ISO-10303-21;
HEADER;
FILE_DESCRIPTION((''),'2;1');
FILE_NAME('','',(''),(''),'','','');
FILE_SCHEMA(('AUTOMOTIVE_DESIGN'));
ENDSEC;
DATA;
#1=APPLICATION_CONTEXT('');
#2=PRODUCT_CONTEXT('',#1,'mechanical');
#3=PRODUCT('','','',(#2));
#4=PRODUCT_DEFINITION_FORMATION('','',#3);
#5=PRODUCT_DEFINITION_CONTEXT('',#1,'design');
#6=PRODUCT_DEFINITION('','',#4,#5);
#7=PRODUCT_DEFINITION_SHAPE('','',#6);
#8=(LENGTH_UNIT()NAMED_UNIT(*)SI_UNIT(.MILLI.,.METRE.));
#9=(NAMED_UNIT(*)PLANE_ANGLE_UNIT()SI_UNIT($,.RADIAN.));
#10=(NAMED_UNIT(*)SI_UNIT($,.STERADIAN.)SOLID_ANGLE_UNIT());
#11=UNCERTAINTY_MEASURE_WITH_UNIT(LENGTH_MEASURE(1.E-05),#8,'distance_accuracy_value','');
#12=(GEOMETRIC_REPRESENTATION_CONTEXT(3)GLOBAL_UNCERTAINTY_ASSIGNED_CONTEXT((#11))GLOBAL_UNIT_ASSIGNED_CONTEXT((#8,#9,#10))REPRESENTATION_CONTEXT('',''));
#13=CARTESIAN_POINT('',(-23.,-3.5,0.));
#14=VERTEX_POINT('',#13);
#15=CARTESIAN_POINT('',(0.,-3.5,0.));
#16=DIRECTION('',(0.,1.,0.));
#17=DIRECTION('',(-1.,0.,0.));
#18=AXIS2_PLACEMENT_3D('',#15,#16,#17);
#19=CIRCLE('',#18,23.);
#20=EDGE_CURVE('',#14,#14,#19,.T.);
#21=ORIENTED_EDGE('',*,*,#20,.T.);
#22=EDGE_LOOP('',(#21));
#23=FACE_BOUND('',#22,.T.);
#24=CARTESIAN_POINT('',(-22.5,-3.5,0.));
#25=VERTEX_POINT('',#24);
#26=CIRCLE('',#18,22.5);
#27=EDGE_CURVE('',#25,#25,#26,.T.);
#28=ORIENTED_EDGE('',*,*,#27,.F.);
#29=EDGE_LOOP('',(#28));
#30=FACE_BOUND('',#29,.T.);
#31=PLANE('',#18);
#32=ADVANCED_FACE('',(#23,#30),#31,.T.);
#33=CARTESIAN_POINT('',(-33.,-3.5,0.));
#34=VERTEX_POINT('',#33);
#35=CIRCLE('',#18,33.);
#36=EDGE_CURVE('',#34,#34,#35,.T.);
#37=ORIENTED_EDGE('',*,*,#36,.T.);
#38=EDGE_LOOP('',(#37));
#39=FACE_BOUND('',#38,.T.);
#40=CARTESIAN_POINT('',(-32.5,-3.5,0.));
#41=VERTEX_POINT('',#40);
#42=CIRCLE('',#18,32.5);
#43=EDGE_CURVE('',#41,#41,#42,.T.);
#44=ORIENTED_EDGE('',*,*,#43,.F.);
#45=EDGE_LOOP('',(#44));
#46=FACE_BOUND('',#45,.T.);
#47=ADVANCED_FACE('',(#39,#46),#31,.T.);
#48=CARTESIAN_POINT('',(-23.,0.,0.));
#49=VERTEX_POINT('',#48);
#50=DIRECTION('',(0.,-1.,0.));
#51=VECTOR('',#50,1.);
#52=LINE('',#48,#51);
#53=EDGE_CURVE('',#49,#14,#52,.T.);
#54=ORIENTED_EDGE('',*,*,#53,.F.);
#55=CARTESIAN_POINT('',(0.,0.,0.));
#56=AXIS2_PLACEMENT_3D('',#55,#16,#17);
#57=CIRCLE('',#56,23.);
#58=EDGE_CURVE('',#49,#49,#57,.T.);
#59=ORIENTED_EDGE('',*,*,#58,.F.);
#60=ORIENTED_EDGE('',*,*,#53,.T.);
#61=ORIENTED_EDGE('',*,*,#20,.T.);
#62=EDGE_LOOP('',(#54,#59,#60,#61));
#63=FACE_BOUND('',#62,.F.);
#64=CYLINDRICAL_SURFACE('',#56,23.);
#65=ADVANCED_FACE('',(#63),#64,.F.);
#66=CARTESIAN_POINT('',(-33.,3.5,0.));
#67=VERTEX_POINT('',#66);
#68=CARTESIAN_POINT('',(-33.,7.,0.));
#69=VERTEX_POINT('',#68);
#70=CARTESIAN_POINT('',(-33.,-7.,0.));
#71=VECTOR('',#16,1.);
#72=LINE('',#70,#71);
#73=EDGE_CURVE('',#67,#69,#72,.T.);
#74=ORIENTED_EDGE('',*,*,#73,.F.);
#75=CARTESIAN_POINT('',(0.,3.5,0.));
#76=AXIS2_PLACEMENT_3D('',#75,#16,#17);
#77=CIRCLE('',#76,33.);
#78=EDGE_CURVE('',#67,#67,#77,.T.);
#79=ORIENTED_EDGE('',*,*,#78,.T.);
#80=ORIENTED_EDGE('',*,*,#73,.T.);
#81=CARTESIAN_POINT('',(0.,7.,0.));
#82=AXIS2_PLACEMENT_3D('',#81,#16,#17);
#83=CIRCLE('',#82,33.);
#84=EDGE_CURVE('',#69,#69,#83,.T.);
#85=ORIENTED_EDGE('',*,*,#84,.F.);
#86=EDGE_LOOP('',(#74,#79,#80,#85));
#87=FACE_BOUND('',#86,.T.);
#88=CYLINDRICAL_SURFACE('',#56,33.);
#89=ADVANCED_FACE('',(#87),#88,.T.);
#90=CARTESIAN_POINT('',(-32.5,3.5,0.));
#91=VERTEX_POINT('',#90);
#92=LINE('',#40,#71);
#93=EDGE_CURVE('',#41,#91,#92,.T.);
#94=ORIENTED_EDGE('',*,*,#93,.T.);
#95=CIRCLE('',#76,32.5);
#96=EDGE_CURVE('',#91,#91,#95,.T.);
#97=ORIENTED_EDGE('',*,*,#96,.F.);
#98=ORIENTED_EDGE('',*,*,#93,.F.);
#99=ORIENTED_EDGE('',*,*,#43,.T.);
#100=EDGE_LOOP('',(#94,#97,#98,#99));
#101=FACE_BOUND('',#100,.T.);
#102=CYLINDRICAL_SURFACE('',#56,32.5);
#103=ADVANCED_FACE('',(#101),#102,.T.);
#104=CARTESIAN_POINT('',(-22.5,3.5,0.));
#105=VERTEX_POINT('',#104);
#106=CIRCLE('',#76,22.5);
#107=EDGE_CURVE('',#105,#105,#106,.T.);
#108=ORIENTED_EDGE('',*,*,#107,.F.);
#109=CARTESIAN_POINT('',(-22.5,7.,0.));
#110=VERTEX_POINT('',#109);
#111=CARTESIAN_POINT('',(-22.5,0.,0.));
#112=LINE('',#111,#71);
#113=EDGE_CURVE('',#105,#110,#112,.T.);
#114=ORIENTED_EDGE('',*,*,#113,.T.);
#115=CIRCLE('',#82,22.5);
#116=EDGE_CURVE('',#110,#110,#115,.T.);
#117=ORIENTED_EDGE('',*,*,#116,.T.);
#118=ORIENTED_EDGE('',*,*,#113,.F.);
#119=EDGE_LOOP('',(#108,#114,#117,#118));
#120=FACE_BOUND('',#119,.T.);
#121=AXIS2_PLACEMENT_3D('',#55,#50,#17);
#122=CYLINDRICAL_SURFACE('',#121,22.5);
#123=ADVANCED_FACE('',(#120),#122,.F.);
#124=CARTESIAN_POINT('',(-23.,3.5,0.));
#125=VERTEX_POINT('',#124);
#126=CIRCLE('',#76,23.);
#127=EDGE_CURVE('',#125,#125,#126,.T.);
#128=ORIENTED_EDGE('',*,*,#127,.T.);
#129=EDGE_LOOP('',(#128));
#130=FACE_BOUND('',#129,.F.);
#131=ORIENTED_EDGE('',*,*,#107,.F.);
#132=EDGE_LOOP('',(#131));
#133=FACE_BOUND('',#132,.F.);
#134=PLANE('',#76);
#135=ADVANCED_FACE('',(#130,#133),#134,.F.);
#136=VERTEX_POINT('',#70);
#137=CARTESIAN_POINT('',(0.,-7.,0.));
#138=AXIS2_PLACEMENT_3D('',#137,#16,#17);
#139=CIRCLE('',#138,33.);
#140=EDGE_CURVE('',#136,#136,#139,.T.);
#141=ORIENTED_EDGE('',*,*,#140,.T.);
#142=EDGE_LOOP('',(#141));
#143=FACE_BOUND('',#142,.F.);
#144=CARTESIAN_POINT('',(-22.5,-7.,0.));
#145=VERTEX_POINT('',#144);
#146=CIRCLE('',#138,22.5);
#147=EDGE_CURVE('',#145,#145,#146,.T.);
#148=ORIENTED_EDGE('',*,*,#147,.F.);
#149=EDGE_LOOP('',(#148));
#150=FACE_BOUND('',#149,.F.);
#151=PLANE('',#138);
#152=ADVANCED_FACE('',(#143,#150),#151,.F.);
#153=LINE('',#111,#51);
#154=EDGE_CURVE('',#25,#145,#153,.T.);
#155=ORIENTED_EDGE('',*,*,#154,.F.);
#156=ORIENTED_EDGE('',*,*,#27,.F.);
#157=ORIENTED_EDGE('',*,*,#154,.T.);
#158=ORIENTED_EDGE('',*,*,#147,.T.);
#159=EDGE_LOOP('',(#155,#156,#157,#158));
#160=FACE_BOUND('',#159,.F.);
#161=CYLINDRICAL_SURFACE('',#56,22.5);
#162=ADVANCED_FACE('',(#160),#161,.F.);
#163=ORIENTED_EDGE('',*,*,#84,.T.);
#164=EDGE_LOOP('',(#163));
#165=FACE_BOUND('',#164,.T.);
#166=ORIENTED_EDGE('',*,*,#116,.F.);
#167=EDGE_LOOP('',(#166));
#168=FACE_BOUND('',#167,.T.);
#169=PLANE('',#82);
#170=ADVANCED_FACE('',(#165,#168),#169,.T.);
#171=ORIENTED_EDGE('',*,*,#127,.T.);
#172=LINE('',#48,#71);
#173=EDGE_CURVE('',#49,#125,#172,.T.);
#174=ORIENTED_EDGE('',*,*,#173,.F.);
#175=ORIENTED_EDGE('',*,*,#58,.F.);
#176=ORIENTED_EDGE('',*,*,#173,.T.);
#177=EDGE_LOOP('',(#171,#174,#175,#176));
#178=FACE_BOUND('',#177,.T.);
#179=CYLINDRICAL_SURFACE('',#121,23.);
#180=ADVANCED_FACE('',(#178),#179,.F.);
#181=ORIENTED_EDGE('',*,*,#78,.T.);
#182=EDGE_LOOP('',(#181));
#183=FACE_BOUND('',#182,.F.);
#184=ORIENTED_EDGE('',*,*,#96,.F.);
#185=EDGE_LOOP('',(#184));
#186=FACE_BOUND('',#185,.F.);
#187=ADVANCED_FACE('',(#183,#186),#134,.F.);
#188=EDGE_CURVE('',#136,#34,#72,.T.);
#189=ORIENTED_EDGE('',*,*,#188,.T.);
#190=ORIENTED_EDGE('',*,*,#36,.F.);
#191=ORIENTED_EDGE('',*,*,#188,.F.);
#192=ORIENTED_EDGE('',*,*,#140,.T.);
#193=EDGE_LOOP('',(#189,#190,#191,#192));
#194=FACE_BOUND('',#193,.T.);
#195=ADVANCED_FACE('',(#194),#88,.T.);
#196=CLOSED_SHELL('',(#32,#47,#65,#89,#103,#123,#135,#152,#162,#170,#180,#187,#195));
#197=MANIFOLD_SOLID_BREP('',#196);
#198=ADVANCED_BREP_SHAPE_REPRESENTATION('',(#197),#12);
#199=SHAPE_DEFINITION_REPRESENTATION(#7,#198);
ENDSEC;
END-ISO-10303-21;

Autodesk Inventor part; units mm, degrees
ref_plane "YZ Plane" through (0, 0, 0) normal (1, 0, 0) x (0, 1, 0)
ref_plane "XZ Plane" through (0, 0, 0) normal (0, 1, 0) x (-1, 0, 0)
ref_plane "XY Plane" through (0, 0, 0) normal (0, 0, 1) x (1, 0, 0)
sketch "Sketch1" plane through (0, 0, 0) normal (0, 1, 0) x (-1, 0, 0)
  circle A0 centre (0, 0) radius 22.5
  circle A1 centre (0, 0) radius 33
  circle A2 centre (0, 0) radius 23
  circle A3 centre (0, 0) radius 32.5
  dimension "d0" = 45
  dimension "d1" = 66
  dimension "d2" = 0.5
  dimension "d3" = 0.5
extrude "Extrusion1" add sketch "Sketch1" along normal mid plane 14 contours A1 | A2 | A3
extrude "Extrusion2" cut sketch "Sketch1" along normal mid plane 7
properties part number "Thrust Bearing 51109 - 45x66x14mm" material "Stainless Steel"
